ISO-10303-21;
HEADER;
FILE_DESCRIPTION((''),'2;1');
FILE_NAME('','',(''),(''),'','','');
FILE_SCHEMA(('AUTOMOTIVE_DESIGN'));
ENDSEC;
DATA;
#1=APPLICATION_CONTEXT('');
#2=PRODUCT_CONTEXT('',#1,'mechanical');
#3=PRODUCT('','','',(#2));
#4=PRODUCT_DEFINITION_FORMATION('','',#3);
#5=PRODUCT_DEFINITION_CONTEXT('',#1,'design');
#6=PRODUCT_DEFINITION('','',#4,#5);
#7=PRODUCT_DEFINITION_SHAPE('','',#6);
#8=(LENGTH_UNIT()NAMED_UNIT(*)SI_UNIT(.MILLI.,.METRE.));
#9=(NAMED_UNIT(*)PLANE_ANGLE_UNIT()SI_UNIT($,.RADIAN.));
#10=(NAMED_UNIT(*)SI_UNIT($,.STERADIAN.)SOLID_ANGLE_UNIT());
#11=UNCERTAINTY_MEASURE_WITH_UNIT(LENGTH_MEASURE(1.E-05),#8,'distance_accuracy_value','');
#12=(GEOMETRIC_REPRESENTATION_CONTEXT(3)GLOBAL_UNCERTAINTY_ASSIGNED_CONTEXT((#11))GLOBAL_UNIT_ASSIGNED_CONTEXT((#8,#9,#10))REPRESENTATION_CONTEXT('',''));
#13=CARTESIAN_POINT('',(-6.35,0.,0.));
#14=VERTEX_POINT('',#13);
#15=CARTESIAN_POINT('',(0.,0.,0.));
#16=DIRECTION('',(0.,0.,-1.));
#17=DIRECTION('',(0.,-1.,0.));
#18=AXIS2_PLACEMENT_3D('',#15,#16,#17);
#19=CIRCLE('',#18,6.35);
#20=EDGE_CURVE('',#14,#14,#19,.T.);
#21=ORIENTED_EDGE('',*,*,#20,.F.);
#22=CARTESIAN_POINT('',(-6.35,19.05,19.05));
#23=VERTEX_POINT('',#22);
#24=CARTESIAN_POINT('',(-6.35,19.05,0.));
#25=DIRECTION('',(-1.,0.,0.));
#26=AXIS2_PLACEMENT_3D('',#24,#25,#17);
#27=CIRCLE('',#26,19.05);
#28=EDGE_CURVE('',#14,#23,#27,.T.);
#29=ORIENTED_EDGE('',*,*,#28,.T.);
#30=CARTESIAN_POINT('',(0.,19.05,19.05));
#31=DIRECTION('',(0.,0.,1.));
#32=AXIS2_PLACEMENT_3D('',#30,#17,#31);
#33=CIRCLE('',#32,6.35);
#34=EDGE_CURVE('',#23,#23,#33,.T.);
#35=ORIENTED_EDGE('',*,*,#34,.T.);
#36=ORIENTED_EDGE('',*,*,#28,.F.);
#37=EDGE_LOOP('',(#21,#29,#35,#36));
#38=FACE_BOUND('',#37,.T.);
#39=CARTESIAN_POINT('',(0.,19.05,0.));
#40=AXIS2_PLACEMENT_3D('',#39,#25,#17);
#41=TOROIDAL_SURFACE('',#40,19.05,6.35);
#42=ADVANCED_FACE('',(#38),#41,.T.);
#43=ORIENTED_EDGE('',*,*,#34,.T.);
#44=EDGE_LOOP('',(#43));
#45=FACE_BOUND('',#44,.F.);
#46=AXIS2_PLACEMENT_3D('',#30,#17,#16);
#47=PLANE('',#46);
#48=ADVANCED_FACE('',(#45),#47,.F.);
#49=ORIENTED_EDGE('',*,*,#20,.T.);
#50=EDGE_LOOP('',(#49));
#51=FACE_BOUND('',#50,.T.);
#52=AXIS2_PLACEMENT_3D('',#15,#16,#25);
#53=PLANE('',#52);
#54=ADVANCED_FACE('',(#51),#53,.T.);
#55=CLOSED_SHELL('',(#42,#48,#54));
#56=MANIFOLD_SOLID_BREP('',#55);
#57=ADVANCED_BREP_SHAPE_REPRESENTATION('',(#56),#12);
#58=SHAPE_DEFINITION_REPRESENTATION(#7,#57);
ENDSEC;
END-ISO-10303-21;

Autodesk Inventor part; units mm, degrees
ref_plane "Start Plane" through (0, 0, 0) normal (0, 0, 1) x (1, 0, 0)
ref_plane "End Plane" through (0, 0, 29.9237) normal (0, 0, 1) x (1, 0, 0)
sketch "Sketch" plane through (0, 0, 0) normal (0, 0, -1) x (-1, 0, 0)
  circle A0 centre (0, 0) radius 6.35
  dimension "d0" = 12.7
sketch "Sketch2" plane through (0, 0, 0) normal (0, 0, 1) x (1, 0, 0)
  line L0 (0, 0) -> (10, 0)
ref_plane "Work Plane3" through (0, 0, 0) normal (0, -1, 0) x (1, 0, 0)
ref_plane "Orientation Work Plane" through (0, 0, 0) normal (0, 0, -1) x (-1, 0, 0)
sketch3d "Sweep Path"
  arc A0 (0, 0, 0) -> (0, 19.05, 19.05) centre (0, 19.05, 0) ccw
sweep "Body" add profiles "Sketch" path "Sweep Path"
sketch "Sketch3" plane through (0, 0, 0) normal (0, -1, 0) x (1, 0, 0)
  line L0 (-2, 0) -> (12, 0) projected
  line L1 (-2, 29.9237) -> (12, 29.9237) projected
  dimension "d7" = 29.9237
equation "\"d0\" = Diam"
equation "\"Diam\" = 12.7"
equation "\"G_L\" = d7"
equation "\"G_OFFSET_START\" = 0"
equation "\"G_OFFSET_END\" = 0"
equation "\"d5\" = G_OFFSET_END + B_L"
equation "\"B_L\" = 29.92367"
properties part number "ANSI/AISC Rolled Steel - 1/2-1.178, RB" material "Aluminum 6061"
